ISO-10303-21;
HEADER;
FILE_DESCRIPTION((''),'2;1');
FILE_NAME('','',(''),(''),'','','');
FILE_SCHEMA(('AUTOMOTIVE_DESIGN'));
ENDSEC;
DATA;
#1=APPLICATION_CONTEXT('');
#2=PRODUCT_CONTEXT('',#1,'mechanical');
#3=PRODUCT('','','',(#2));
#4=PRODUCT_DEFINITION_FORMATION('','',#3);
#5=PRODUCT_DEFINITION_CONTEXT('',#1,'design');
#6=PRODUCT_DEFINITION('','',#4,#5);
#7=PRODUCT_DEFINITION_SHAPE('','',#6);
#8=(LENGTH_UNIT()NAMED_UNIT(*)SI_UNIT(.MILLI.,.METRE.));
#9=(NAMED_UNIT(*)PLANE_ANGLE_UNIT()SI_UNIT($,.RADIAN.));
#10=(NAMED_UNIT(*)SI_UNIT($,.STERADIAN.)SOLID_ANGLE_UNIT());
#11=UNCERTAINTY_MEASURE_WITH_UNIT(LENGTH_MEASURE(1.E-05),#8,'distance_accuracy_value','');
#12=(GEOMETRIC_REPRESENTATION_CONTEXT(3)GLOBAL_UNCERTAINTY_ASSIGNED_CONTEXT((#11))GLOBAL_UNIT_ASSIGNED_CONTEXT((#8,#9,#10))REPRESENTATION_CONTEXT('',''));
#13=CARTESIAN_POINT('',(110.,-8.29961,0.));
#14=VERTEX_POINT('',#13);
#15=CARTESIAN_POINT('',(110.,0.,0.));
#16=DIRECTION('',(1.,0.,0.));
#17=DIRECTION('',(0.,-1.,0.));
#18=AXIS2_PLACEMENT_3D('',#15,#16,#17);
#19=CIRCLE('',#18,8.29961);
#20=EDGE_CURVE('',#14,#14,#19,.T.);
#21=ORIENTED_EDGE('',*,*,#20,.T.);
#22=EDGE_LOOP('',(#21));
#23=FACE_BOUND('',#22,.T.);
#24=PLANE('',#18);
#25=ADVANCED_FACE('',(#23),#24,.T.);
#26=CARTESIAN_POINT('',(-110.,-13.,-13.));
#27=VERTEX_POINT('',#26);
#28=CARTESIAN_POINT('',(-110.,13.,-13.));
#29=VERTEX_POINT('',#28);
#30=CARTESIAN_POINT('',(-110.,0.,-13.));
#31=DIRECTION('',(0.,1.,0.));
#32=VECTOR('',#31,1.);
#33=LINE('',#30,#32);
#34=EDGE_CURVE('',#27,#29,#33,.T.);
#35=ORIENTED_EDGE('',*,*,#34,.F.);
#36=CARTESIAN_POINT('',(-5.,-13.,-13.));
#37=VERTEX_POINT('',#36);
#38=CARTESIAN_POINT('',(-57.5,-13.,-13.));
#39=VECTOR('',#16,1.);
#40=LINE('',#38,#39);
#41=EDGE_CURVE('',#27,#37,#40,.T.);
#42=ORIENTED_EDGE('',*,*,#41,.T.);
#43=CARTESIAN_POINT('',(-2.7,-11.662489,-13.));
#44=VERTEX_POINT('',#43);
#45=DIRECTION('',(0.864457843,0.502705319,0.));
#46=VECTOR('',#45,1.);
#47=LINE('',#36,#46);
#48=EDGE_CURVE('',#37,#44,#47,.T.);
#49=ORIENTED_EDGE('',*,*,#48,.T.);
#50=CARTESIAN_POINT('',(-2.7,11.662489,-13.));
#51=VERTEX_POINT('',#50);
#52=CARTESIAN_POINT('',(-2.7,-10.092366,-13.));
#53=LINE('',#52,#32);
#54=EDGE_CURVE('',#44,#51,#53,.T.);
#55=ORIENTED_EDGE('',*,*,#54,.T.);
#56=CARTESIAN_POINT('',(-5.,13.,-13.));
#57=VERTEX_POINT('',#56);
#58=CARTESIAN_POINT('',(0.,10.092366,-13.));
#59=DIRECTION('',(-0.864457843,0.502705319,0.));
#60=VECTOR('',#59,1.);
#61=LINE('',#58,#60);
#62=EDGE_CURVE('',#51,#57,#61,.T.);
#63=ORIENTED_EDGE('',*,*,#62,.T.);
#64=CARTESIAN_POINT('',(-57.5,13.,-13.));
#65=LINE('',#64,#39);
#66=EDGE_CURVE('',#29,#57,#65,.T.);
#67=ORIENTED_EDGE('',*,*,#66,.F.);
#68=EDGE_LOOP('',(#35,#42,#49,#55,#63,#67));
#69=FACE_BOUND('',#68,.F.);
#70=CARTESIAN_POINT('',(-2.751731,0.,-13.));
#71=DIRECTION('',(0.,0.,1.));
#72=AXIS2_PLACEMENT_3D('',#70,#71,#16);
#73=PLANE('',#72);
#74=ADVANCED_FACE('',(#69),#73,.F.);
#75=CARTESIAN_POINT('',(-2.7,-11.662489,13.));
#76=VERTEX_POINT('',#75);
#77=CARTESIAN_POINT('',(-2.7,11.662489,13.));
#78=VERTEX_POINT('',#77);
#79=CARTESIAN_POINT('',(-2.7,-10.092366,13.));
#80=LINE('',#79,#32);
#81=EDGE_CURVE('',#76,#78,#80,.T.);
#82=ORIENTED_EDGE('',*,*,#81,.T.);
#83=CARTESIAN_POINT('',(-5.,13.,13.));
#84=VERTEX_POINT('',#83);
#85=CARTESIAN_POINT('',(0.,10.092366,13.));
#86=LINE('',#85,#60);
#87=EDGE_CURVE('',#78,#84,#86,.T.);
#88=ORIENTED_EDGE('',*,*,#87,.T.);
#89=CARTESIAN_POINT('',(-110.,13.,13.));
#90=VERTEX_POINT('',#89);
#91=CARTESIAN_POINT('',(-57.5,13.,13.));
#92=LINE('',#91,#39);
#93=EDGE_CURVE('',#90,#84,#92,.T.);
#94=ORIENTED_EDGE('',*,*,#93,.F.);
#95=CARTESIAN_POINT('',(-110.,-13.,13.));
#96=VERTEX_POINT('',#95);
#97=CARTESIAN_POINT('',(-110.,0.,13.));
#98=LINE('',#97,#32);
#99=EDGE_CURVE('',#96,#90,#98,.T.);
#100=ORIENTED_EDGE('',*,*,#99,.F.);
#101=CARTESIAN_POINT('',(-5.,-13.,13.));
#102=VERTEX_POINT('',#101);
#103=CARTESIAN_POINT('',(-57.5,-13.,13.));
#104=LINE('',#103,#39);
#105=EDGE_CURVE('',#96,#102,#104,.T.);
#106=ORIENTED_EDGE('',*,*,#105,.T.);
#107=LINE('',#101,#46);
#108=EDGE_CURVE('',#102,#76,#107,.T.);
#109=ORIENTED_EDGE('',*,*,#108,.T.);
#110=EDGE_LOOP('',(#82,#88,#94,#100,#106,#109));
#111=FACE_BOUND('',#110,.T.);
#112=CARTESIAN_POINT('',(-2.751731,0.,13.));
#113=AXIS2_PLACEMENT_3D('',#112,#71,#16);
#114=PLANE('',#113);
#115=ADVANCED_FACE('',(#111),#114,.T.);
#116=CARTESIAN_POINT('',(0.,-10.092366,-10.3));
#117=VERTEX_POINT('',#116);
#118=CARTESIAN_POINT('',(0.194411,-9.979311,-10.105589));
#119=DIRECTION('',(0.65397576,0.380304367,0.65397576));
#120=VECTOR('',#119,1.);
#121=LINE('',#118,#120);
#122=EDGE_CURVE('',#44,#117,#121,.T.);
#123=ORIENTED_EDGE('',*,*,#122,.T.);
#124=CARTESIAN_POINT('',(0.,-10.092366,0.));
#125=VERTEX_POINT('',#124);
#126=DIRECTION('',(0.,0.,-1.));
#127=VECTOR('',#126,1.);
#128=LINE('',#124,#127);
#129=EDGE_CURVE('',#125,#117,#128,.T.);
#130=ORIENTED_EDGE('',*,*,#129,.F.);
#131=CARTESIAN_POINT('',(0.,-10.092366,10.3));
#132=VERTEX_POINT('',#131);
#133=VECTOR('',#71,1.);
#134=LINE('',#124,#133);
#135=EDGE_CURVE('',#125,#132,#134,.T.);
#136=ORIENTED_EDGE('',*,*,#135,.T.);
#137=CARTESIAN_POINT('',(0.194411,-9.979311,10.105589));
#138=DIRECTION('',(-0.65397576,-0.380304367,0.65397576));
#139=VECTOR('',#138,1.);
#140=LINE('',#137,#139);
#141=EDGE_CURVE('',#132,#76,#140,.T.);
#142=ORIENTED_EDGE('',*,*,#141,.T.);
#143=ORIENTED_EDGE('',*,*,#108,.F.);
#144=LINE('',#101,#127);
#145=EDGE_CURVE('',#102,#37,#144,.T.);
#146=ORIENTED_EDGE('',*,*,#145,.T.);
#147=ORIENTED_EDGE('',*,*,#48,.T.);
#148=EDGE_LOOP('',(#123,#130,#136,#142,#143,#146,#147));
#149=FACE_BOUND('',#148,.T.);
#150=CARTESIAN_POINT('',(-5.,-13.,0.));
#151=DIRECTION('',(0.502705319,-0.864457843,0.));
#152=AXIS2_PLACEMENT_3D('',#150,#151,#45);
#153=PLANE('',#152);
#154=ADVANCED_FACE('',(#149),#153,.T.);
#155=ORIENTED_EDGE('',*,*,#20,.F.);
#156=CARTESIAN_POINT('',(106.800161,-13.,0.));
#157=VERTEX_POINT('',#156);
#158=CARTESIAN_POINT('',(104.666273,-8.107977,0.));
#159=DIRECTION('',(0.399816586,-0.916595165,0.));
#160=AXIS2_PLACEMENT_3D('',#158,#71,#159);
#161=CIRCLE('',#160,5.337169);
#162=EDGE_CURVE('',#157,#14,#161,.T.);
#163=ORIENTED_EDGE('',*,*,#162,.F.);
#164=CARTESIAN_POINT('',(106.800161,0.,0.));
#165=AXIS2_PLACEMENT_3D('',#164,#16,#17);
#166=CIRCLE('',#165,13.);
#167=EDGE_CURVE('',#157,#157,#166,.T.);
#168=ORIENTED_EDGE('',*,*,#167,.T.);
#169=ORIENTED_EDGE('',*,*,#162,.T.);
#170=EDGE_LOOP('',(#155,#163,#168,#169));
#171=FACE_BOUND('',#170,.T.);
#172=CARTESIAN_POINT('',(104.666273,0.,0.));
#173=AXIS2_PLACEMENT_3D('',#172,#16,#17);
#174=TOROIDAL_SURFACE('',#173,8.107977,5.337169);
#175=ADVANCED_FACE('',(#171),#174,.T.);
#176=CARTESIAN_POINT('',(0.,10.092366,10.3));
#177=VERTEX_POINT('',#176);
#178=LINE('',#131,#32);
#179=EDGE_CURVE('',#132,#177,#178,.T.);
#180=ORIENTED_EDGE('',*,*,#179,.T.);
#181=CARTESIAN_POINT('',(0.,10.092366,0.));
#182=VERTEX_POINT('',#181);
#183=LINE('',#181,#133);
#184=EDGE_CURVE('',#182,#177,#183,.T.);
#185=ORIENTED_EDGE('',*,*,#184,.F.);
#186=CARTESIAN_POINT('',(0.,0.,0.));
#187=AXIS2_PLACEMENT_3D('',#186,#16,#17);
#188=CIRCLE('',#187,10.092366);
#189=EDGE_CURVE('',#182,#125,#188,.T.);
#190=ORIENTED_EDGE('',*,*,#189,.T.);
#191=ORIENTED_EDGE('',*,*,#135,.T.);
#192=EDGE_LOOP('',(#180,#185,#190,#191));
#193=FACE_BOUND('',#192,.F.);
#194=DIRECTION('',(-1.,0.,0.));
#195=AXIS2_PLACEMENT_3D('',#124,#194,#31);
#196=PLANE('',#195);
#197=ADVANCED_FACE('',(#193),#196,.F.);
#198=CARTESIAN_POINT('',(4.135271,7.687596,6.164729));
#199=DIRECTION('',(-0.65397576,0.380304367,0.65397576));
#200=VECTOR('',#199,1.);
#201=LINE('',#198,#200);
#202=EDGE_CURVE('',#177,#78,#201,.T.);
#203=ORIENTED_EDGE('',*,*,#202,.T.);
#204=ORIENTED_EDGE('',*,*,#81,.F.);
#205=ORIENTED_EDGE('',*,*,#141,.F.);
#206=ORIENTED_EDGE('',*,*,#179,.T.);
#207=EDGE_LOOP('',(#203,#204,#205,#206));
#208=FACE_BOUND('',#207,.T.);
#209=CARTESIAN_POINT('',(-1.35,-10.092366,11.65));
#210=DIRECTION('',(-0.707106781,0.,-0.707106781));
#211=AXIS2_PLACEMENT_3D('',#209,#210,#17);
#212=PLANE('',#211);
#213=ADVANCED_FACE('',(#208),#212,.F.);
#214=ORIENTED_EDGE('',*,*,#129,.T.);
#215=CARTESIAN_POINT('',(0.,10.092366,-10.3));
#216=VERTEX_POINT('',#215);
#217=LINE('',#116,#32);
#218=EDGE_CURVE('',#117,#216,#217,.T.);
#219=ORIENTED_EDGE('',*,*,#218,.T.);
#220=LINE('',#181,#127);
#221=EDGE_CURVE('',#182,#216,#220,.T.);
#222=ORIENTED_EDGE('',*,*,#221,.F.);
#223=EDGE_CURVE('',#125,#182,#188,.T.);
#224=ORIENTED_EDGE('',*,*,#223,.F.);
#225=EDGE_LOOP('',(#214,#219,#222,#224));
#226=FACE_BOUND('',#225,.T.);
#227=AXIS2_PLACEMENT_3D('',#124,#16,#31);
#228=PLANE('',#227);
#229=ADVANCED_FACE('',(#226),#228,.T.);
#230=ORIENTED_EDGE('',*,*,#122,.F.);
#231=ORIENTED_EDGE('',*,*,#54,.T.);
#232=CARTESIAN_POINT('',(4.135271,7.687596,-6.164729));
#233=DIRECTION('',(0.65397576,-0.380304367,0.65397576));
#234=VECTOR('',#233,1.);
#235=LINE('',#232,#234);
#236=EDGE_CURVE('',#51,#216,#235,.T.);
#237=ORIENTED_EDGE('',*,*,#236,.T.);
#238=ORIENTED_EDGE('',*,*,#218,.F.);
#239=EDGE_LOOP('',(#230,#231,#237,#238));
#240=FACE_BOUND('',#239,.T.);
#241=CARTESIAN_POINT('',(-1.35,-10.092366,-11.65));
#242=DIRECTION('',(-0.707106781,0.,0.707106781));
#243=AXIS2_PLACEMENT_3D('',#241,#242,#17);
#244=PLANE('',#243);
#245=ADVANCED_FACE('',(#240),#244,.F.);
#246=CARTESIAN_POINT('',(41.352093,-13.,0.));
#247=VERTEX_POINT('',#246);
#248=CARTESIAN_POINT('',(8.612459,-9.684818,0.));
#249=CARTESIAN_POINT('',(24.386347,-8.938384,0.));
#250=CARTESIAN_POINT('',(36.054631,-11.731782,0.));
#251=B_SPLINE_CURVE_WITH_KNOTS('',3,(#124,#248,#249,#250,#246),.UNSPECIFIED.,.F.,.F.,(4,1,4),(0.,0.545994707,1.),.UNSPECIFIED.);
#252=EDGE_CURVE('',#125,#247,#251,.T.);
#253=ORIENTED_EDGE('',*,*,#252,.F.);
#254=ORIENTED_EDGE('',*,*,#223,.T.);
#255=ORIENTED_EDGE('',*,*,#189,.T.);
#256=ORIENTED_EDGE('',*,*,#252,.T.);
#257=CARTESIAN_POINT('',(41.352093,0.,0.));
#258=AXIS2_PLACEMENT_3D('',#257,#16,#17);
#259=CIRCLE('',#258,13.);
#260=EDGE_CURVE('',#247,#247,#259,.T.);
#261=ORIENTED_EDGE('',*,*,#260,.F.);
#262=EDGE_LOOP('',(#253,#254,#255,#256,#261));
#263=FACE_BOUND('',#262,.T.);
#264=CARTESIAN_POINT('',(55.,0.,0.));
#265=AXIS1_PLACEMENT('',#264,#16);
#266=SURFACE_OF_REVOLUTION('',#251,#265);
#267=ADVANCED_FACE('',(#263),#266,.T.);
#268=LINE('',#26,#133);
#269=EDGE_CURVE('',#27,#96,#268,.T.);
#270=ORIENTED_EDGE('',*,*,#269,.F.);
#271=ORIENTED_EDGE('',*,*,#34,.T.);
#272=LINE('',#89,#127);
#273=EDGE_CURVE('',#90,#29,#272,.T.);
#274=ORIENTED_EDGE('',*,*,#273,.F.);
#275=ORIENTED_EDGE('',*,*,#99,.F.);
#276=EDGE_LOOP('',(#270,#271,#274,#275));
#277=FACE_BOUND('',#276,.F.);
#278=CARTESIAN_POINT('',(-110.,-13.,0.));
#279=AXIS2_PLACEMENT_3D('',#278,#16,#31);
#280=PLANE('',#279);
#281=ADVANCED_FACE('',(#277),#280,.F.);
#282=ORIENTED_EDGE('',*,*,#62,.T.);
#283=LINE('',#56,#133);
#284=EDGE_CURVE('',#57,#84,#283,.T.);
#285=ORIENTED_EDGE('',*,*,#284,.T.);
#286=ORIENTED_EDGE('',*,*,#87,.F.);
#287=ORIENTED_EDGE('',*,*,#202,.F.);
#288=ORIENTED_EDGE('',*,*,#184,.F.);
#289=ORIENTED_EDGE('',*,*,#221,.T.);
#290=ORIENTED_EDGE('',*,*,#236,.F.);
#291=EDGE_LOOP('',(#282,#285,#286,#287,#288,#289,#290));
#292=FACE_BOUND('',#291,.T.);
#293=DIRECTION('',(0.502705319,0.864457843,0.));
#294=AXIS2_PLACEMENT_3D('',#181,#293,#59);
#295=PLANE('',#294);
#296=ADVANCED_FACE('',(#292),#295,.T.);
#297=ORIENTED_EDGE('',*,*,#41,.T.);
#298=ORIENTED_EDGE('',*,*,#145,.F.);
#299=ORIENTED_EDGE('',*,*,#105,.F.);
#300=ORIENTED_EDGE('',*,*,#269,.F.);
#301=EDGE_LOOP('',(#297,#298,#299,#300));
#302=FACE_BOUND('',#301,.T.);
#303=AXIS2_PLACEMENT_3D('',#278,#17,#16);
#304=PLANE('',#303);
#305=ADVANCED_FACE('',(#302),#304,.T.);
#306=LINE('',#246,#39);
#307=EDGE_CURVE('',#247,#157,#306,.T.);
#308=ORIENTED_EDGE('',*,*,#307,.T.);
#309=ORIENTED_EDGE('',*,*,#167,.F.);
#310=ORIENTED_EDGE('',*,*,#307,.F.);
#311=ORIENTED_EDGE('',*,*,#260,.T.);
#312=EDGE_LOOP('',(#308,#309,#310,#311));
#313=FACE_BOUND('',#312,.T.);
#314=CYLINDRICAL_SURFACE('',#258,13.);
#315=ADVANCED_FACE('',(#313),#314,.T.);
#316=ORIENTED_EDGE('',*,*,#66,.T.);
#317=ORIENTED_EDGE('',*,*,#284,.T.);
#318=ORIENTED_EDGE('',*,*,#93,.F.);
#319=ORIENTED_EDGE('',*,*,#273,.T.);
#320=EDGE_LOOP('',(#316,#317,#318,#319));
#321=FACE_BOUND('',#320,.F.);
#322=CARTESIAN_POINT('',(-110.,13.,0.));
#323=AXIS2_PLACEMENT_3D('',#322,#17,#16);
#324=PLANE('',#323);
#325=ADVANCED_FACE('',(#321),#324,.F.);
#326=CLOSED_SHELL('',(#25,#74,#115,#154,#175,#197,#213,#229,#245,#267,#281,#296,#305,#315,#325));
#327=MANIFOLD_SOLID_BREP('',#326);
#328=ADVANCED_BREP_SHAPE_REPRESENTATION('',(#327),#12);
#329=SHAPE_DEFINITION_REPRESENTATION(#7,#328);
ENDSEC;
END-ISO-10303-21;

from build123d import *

# Parameters (mm, degrees)
F0_W     = 105
F0_H     = 26
F2_DEPTH = 13
F3_DEPTH = 13
F4_DEPTH = 13
F5_DEPTH = 13
F6_SIZE  = 2.7
F7_SIZE  = 2.7


with BuildPart() as f1:
    # F0 (on Top) → F1 (revolve)
    with BuildSketch(Plane.XY):
        with BuildLine():
            Line((110, 0), (0, 0))
            Line((0, 0), (0, -10.0923664868))
            add(Edge.make_bspline(
                [(0, -10.0923664868), (8.6124591201, -9.6848175395), (24.3863467012, -8.9383836594), (36.054630575, -11.7317822521), (41.3520932198, -13)],
                knots=[0, 0, 0, 0, 0.5459947065, 1, 1, 1, 1], degree=3))
            Line((41.3520932198, -13), (106.8001613021, -13))
            ThreePointArc((106.8001613021, -13), (109.0781586072, -11.1114138074), (110, -8.2996104758))
            Line((110, -8.2996104758), (110, -7.9163433984))
            Line((110, -7.9163433984), (110, 0))
        make_face()
    revolve(axis=Axis((55, 0, 0), (1, 0, 0)))



with BuildPart() as f2:
    # F0 (on Top) → F2 (new body)
    with BuildSketch(Plane.XY):
        with Locations((-57.5, 0)):
            Rectangle(F0_W, F0_H)
    extrude(amount=F2_DEPTH)

    # F3 (add): a face of the model
    f3_faces = [f2.faces().sort_by_distance(p)[0] for p in [
        (-57.5, 0, 0),
    ]]
    extrude(f3_faces, amount=F3_DEPTH)


with BuildPart() as f4:
    # F0 (on Top) → F4 (new body)
    with BuildSketch(Plane.XY):
        Polygon((0, 0), (0, 10.0923664868), (-5, 13), (-5, -13), (0, -10.0923664868), align=None)
    extrude(amount=F4_DEPTH)


with BuildPart() as f1_1:
    add(f1.part)
    # F5 (add): a face of the model
    f5_faces = [f4.part.faces().sort_by_distance(p)[0] for p in [
        (-2.6049276578, 0, 0),
    ]]

    add(f2.part)  # F5 merges F2

    add(f4.part)  # F5 merges F4
    extrude(f5_faces, amount=F5_DEPTH)

    # F6
    f6_edges = [f1_1.edges().sort_by_distance(p)[0] for p in [
        (0, 0, 13),
    ]]
    chamfer(f6_edges, length=F6_SIZE)

    # F7
    f7_edges = [f1_1.edges().sort_by_distance(p)[0] for p in [
        (0, 0, -13),
    ]]
    chamfer(f7_edges, length=F7_SIZE)


solid = f1_1.part
